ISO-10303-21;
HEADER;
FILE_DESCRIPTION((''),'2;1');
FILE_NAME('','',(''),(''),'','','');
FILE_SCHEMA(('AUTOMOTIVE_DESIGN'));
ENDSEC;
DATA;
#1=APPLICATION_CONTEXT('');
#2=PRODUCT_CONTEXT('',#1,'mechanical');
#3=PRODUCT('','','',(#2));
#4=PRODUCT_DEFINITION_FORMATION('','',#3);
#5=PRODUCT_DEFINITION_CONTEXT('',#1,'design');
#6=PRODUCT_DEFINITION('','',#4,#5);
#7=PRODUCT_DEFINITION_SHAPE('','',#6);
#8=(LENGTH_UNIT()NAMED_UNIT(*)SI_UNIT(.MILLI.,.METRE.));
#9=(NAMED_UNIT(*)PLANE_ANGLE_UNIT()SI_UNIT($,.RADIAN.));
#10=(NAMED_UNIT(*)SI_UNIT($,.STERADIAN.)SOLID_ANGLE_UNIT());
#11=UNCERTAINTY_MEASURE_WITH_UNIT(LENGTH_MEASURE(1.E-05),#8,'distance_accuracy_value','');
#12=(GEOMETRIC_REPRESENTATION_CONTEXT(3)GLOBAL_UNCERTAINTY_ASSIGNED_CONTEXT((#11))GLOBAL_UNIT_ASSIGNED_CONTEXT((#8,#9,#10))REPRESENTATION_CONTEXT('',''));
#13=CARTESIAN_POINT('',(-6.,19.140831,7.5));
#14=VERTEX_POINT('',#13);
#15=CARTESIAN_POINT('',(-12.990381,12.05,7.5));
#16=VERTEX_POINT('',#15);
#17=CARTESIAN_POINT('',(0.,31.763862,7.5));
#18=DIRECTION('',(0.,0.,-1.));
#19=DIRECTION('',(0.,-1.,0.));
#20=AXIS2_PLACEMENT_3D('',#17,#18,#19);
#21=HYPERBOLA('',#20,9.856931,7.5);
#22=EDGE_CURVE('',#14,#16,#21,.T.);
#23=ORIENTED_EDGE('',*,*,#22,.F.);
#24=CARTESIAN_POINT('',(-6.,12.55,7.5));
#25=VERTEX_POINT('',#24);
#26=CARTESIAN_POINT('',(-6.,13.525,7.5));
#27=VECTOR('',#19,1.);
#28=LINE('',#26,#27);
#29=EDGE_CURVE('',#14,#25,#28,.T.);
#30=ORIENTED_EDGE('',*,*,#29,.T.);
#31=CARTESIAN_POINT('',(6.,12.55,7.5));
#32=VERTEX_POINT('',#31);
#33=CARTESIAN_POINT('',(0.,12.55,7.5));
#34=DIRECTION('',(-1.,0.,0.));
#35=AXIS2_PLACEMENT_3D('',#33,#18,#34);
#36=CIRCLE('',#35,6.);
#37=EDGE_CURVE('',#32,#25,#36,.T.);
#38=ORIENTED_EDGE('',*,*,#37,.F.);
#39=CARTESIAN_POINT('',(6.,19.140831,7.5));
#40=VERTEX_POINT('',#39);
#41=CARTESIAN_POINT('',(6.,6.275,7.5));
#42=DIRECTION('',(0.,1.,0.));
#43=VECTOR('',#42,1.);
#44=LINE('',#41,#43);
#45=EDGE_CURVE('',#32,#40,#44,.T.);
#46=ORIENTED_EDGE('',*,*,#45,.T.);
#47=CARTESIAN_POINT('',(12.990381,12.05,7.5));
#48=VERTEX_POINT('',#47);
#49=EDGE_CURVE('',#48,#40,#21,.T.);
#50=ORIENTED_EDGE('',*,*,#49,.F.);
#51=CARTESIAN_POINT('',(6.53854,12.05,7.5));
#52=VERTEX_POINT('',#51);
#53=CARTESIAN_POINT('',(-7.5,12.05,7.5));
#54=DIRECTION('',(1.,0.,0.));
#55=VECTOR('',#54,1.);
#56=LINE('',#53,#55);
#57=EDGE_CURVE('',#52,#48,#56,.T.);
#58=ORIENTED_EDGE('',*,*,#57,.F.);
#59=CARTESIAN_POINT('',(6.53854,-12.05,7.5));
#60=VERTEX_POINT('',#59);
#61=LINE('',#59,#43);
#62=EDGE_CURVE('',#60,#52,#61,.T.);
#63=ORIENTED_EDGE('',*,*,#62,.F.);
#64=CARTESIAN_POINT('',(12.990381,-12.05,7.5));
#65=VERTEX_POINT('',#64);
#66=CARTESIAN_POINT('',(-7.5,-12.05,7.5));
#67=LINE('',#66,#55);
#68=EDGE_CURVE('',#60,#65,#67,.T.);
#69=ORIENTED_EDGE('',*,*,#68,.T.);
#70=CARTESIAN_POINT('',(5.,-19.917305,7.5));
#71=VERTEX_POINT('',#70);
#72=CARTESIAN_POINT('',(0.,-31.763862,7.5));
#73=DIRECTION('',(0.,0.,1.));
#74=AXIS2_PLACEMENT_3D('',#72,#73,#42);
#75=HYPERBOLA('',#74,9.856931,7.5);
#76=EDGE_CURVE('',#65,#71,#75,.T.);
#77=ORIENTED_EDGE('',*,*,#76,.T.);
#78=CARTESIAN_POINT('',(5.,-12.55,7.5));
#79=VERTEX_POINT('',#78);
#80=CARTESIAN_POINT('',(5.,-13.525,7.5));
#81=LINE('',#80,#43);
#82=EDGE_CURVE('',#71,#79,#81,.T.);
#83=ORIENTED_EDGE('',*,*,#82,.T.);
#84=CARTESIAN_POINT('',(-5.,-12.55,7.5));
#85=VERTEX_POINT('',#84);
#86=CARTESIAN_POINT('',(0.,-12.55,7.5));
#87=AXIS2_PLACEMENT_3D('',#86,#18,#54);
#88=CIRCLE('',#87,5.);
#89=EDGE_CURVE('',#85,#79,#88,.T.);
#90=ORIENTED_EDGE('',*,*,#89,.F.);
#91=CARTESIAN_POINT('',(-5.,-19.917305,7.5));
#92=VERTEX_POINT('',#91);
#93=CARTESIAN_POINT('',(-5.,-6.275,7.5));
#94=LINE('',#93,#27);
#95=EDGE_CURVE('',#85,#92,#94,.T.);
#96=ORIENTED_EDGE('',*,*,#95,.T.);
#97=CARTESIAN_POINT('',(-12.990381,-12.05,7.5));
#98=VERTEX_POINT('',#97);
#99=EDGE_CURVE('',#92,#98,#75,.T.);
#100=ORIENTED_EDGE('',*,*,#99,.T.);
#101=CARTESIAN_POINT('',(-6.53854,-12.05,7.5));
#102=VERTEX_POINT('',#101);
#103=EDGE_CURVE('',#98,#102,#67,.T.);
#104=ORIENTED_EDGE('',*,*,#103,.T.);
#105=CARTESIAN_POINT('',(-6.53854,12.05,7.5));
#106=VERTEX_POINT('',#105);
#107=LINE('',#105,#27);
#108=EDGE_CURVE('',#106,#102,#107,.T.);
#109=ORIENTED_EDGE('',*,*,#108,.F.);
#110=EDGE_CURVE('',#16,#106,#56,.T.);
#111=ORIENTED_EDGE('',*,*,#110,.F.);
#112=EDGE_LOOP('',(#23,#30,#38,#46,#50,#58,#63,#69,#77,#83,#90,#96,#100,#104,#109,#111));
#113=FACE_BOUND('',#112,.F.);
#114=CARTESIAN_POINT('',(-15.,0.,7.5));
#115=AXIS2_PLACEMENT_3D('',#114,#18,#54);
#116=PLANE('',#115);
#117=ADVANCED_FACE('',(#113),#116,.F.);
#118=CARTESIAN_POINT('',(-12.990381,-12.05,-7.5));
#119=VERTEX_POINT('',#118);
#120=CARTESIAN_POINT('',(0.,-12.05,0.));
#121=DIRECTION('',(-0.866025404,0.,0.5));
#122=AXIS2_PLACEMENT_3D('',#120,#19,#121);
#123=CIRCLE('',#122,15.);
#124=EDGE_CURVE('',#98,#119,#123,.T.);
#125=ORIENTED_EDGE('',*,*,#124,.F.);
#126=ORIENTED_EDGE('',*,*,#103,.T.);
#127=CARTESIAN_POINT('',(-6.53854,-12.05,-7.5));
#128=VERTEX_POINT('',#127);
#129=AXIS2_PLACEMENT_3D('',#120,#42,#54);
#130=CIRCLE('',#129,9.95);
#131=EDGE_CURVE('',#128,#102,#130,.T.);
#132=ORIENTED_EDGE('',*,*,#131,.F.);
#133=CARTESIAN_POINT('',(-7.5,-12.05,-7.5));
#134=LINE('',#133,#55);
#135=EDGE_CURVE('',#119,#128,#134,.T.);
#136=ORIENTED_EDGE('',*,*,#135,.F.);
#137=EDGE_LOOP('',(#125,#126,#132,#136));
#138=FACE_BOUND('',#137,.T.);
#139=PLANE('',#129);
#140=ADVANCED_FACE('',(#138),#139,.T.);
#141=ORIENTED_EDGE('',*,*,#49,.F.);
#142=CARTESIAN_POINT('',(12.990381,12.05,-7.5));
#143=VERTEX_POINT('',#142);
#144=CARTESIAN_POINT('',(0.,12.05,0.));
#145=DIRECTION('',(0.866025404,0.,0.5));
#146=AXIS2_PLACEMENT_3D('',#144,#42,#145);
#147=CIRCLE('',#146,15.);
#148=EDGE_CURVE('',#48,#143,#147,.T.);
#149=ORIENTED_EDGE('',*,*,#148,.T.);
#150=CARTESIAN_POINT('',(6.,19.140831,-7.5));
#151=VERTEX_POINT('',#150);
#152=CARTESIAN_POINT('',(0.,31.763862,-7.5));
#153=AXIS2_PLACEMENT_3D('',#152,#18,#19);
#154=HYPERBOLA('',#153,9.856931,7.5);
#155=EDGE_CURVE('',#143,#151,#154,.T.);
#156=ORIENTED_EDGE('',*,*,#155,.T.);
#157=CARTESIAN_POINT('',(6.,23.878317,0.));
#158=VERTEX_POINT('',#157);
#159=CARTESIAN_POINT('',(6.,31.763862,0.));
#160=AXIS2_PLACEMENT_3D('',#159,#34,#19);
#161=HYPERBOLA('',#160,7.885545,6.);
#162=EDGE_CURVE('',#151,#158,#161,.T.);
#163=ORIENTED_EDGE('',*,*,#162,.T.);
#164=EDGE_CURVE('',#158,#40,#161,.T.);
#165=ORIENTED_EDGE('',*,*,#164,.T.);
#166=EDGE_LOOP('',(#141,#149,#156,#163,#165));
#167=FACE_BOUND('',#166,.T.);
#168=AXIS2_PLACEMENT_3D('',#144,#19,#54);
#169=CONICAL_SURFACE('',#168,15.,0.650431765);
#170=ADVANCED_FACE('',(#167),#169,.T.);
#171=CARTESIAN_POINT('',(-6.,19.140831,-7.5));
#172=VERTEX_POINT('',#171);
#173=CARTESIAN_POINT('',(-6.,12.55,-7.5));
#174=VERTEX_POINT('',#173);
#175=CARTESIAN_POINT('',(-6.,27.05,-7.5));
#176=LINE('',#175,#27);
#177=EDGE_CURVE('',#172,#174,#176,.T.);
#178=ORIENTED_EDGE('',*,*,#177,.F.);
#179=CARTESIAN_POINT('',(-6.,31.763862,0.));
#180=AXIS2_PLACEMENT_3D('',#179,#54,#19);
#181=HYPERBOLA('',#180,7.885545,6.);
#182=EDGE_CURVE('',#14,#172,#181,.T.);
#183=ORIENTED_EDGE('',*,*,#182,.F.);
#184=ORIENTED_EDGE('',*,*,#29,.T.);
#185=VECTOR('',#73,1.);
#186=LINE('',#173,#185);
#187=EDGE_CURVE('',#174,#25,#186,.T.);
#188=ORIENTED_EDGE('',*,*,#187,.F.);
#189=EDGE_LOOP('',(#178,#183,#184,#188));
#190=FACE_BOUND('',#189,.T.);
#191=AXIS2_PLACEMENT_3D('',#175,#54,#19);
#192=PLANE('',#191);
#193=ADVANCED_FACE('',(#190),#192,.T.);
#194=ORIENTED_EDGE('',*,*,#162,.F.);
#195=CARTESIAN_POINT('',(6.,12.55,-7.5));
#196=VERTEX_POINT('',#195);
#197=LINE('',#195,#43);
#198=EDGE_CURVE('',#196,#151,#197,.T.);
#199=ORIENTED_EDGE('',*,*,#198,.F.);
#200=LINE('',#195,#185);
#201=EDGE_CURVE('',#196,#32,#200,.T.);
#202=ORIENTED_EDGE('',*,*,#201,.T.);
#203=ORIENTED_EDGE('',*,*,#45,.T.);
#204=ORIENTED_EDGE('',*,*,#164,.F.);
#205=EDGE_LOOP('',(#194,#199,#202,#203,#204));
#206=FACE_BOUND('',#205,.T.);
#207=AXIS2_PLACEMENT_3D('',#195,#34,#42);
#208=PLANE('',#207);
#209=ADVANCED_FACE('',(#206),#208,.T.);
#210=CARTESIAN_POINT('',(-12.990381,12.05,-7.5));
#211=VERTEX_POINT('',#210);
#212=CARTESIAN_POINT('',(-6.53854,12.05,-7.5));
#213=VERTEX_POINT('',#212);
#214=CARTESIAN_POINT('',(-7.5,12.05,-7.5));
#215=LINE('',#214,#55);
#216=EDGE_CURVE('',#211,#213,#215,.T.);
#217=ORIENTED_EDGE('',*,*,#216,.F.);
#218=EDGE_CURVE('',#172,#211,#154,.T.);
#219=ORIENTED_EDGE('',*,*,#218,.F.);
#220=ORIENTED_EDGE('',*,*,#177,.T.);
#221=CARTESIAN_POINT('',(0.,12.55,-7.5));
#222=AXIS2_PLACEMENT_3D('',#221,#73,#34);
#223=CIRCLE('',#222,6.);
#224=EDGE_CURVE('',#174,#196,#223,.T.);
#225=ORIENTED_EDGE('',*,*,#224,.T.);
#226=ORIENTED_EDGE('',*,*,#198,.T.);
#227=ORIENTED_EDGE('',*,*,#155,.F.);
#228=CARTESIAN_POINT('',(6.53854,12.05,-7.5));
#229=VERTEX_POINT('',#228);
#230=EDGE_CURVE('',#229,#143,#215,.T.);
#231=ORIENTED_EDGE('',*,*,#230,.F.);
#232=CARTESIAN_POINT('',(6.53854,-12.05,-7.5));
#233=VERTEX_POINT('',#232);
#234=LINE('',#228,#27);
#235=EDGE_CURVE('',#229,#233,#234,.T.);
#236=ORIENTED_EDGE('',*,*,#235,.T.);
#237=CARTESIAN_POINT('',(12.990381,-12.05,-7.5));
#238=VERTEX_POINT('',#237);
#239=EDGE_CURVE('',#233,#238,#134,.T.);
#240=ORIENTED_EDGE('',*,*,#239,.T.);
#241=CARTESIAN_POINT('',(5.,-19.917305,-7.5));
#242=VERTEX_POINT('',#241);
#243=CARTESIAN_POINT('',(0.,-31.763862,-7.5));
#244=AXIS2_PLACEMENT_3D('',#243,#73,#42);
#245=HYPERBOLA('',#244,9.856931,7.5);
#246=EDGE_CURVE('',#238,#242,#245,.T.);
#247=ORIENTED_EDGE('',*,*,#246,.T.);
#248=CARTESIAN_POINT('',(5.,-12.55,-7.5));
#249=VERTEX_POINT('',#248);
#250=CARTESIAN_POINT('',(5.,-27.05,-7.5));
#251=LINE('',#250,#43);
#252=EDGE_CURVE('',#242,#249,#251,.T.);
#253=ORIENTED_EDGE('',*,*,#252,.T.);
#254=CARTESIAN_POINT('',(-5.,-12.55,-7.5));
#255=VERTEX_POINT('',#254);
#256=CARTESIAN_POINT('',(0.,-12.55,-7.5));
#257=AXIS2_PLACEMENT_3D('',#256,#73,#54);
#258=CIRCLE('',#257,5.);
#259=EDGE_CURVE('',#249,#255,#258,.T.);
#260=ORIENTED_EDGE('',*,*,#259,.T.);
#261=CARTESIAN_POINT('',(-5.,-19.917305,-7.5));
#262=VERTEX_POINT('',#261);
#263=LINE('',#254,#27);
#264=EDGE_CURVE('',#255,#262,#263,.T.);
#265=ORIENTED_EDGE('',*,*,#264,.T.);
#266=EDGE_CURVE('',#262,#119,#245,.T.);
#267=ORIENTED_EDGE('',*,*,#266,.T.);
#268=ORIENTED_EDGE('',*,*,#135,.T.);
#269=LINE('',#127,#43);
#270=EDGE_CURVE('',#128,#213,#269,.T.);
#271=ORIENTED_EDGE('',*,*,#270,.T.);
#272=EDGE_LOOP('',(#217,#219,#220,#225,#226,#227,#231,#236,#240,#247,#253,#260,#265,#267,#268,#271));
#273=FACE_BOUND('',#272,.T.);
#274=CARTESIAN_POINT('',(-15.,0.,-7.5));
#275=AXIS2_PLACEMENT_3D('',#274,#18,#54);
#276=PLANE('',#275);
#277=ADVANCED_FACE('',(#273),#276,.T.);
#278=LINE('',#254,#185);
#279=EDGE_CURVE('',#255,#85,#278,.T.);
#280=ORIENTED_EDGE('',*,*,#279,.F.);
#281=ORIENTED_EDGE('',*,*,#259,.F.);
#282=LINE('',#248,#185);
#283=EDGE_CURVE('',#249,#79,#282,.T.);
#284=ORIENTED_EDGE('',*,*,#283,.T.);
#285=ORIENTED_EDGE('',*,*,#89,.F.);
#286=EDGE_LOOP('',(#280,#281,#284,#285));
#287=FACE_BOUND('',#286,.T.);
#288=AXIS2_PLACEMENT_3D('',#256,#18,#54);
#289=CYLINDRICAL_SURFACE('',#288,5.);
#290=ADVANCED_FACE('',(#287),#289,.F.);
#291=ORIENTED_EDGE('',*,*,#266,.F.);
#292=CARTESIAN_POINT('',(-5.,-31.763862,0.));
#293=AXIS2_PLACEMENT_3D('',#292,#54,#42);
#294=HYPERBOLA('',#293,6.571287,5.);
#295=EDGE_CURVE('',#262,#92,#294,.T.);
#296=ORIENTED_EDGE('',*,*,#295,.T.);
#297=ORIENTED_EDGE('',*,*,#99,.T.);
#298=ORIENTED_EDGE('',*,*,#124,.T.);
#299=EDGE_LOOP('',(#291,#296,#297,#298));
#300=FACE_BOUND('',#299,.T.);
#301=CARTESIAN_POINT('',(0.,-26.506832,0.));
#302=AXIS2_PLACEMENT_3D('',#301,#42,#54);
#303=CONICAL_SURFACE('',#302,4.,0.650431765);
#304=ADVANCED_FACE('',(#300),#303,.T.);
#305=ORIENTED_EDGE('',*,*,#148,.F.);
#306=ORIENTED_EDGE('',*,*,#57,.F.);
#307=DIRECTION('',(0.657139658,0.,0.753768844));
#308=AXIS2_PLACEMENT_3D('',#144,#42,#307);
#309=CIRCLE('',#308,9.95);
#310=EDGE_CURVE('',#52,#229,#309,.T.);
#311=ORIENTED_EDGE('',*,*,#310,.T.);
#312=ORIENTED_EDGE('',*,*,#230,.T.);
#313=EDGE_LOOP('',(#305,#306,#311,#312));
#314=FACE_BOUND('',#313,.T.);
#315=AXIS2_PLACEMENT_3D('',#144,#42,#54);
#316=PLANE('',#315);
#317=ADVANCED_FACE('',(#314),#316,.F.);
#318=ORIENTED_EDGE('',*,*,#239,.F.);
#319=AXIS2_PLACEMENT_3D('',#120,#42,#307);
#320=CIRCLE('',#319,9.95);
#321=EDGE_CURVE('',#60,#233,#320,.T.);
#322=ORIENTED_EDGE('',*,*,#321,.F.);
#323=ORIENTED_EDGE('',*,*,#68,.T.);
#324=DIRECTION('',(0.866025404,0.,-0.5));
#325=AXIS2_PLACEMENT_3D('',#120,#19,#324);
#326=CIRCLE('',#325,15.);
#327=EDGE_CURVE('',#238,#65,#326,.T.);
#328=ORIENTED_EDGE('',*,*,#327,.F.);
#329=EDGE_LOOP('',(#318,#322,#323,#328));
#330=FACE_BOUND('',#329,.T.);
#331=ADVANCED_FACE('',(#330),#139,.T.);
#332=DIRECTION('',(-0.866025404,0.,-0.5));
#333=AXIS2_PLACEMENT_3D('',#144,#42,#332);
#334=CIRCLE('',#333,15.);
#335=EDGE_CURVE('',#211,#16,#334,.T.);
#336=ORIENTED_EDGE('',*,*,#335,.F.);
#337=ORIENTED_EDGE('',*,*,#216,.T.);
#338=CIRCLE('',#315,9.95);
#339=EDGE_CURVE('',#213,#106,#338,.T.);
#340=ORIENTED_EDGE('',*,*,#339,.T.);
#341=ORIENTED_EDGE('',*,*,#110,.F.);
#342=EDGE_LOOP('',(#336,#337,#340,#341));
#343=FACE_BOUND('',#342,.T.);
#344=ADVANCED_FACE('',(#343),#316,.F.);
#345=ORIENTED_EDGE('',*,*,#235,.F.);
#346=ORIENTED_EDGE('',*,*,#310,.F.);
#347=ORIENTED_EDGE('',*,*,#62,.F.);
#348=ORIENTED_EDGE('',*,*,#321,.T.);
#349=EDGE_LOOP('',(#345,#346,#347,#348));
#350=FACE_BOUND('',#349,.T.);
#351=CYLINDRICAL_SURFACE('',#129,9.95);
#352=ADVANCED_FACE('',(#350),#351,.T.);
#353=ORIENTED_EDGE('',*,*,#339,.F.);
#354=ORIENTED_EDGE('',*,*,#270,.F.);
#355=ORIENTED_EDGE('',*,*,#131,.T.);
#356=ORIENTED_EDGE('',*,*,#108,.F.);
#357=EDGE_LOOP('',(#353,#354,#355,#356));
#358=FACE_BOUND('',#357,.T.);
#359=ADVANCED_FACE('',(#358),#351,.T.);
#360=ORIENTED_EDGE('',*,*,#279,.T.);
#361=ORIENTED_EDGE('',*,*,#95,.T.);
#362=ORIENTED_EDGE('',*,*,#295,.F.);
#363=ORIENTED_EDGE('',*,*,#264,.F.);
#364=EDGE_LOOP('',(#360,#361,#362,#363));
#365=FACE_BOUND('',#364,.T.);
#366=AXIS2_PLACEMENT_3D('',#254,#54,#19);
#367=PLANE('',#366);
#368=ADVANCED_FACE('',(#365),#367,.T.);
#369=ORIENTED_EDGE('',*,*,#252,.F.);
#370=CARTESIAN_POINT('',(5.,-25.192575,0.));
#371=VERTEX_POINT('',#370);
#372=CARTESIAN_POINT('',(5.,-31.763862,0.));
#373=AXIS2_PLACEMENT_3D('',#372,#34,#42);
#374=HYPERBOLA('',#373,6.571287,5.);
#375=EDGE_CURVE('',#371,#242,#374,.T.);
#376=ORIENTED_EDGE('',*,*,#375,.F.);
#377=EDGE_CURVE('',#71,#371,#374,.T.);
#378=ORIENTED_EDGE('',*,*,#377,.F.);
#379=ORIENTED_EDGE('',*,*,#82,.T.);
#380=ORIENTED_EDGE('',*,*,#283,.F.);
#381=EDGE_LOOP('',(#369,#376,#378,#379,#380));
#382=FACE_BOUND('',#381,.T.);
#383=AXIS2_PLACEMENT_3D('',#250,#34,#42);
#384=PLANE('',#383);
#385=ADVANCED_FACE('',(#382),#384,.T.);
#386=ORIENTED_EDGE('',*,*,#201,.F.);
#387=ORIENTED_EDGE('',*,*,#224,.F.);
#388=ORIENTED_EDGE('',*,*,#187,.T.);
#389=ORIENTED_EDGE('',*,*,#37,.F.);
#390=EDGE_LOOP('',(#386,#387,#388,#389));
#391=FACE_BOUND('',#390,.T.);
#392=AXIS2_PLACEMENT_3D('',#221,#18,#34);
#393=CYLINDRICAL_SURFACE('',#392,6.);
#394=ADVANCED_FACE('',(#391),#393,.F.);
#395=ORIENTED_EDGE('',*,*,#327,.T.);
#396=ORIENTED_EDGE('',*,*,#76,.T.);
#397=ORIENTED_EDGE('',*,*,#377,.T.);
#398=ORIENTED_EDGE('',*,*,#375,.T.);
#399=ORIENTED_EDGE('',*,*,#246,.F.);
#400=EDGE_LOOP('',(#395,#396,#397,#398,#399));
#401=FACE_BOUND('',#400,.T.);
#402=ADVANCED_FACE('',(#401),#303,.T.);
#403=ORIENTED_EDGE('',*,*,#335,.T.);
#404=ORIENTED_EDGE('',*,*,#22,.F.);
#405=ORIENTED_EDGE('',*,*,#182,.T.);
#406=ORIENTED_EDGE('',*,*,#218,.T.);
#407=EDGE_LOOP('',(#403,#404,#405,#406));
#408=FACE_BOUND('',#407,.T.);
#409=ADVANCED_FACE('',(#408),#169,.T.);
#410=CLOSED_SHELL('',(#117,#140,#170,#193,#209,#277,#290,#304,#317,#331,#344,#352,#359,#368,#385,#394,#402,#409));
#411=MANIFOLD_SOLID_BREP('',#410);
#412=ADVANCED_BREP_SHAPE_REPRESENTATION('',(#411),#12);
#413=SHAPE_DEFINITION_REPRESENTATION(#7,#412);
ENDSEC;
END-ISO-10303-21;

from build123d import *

# Parameters (mm, degrees)
ESBO_O2_OUTSIDE_W          = 45.75
ESBO_O2_OUTSIDE_H          = 45.75
ESBO_O2_OUTSIDE_W_2        = 30
ESBO_O2_OUTSIDE_H_2        = 15
CORTE_EXTRUS_O1_DEPTH      = 28.05
CORTE_EXTRUS_O1_DEPTH_BACK = 28.05
CORTE_EXTRUS_O2_DEPTH      = 16


with BuildPart() as part:
    # Esboço1 one side → Revolução1 (revolve)
    with BuildSketch(Plane.XY):
        with BuildLine():
            ThreePointArc((4, 26.506832295), (2.018355219, 26.913587797), (0, 27.05))
            Line((0, 27.05), (0, -27.05))
            ThreePointArc((0, -27.05), (2.018355219, -26.913587797), (4, -26.506832295))
            Line((4, -26.506832295), (15, -12.05))
            Line((15, -12.05), (9.95, -12.05))
            Line((9.95, -12.05), (9.95, 12.05))
            Line((9.95, 12.05), (15, 12.05))
            Line((15, 12.05), (4, 26.506832295))
        make_face()
    revolve(axis=Axis((0, -27.05, 0), (0, 1, 0)))

    # Esboço2 outside → Corte-extrusão1 (cut, two sides)
    with BuildSketch(Plane(origin=(0, 0, 0), x_dir=(1, 0, 0), z_dir=(0, 1, 0))) as corte_extrus_o1_sk:
        Rectangle(ESBO_O2_OUTSIDE_W, ESBO_O2_OUTSIDE_H)
        Rectangle(ESBO_O2_OUTSIDE_W_2, ESBO_O2_OUTSIDE_H_2, mode=Mode.SUBTRACT)
    extrude(amount=CORTE_EXTRUS_O1_DEPTH, mode=Mode.SUBTRACT)
    extrude(corte_extrus_o1_sk.sketch, amount=-CORTE_EXTRUS_O1_DEPTH_BACK, mode=Mode.SUBTRACT)

    # Esboço3 → Corte-extrusão2 (cut, through all)
    with BuildSketch(Plane(origin=(0, 0, -7.5), x_dir=(-1, 0, 0), z_dir=(0, 0, -1))):
        with BuildLine():
            Line((6, 27.05), (6, 12.55))
            ThreePointArc((6, 12.55), (0, 6.55), (-6, 12.55))
            Line((-6, 12.55), (-6, 27.05))
            ThreePointArc((-6, 27.05), (0, 33.05), (6, 27.05))
        make_face()
        with BuildLine():
            Line((-5, -27.05), (-5, -12.55))
            ThreePointArc((-5, -12.55), (0, -7.55), (5, -12.55))
            Line((5, -12.55), (5, -27.05))
            ThreePointArc((5, -27.05), (0, -32.05), (-5, -27.05))
        make_face()
    extrude(amount=-CORTE_EXTRUS_O2_DEPTH, mode=Mode.SUBTRACT)


solid = part.part
